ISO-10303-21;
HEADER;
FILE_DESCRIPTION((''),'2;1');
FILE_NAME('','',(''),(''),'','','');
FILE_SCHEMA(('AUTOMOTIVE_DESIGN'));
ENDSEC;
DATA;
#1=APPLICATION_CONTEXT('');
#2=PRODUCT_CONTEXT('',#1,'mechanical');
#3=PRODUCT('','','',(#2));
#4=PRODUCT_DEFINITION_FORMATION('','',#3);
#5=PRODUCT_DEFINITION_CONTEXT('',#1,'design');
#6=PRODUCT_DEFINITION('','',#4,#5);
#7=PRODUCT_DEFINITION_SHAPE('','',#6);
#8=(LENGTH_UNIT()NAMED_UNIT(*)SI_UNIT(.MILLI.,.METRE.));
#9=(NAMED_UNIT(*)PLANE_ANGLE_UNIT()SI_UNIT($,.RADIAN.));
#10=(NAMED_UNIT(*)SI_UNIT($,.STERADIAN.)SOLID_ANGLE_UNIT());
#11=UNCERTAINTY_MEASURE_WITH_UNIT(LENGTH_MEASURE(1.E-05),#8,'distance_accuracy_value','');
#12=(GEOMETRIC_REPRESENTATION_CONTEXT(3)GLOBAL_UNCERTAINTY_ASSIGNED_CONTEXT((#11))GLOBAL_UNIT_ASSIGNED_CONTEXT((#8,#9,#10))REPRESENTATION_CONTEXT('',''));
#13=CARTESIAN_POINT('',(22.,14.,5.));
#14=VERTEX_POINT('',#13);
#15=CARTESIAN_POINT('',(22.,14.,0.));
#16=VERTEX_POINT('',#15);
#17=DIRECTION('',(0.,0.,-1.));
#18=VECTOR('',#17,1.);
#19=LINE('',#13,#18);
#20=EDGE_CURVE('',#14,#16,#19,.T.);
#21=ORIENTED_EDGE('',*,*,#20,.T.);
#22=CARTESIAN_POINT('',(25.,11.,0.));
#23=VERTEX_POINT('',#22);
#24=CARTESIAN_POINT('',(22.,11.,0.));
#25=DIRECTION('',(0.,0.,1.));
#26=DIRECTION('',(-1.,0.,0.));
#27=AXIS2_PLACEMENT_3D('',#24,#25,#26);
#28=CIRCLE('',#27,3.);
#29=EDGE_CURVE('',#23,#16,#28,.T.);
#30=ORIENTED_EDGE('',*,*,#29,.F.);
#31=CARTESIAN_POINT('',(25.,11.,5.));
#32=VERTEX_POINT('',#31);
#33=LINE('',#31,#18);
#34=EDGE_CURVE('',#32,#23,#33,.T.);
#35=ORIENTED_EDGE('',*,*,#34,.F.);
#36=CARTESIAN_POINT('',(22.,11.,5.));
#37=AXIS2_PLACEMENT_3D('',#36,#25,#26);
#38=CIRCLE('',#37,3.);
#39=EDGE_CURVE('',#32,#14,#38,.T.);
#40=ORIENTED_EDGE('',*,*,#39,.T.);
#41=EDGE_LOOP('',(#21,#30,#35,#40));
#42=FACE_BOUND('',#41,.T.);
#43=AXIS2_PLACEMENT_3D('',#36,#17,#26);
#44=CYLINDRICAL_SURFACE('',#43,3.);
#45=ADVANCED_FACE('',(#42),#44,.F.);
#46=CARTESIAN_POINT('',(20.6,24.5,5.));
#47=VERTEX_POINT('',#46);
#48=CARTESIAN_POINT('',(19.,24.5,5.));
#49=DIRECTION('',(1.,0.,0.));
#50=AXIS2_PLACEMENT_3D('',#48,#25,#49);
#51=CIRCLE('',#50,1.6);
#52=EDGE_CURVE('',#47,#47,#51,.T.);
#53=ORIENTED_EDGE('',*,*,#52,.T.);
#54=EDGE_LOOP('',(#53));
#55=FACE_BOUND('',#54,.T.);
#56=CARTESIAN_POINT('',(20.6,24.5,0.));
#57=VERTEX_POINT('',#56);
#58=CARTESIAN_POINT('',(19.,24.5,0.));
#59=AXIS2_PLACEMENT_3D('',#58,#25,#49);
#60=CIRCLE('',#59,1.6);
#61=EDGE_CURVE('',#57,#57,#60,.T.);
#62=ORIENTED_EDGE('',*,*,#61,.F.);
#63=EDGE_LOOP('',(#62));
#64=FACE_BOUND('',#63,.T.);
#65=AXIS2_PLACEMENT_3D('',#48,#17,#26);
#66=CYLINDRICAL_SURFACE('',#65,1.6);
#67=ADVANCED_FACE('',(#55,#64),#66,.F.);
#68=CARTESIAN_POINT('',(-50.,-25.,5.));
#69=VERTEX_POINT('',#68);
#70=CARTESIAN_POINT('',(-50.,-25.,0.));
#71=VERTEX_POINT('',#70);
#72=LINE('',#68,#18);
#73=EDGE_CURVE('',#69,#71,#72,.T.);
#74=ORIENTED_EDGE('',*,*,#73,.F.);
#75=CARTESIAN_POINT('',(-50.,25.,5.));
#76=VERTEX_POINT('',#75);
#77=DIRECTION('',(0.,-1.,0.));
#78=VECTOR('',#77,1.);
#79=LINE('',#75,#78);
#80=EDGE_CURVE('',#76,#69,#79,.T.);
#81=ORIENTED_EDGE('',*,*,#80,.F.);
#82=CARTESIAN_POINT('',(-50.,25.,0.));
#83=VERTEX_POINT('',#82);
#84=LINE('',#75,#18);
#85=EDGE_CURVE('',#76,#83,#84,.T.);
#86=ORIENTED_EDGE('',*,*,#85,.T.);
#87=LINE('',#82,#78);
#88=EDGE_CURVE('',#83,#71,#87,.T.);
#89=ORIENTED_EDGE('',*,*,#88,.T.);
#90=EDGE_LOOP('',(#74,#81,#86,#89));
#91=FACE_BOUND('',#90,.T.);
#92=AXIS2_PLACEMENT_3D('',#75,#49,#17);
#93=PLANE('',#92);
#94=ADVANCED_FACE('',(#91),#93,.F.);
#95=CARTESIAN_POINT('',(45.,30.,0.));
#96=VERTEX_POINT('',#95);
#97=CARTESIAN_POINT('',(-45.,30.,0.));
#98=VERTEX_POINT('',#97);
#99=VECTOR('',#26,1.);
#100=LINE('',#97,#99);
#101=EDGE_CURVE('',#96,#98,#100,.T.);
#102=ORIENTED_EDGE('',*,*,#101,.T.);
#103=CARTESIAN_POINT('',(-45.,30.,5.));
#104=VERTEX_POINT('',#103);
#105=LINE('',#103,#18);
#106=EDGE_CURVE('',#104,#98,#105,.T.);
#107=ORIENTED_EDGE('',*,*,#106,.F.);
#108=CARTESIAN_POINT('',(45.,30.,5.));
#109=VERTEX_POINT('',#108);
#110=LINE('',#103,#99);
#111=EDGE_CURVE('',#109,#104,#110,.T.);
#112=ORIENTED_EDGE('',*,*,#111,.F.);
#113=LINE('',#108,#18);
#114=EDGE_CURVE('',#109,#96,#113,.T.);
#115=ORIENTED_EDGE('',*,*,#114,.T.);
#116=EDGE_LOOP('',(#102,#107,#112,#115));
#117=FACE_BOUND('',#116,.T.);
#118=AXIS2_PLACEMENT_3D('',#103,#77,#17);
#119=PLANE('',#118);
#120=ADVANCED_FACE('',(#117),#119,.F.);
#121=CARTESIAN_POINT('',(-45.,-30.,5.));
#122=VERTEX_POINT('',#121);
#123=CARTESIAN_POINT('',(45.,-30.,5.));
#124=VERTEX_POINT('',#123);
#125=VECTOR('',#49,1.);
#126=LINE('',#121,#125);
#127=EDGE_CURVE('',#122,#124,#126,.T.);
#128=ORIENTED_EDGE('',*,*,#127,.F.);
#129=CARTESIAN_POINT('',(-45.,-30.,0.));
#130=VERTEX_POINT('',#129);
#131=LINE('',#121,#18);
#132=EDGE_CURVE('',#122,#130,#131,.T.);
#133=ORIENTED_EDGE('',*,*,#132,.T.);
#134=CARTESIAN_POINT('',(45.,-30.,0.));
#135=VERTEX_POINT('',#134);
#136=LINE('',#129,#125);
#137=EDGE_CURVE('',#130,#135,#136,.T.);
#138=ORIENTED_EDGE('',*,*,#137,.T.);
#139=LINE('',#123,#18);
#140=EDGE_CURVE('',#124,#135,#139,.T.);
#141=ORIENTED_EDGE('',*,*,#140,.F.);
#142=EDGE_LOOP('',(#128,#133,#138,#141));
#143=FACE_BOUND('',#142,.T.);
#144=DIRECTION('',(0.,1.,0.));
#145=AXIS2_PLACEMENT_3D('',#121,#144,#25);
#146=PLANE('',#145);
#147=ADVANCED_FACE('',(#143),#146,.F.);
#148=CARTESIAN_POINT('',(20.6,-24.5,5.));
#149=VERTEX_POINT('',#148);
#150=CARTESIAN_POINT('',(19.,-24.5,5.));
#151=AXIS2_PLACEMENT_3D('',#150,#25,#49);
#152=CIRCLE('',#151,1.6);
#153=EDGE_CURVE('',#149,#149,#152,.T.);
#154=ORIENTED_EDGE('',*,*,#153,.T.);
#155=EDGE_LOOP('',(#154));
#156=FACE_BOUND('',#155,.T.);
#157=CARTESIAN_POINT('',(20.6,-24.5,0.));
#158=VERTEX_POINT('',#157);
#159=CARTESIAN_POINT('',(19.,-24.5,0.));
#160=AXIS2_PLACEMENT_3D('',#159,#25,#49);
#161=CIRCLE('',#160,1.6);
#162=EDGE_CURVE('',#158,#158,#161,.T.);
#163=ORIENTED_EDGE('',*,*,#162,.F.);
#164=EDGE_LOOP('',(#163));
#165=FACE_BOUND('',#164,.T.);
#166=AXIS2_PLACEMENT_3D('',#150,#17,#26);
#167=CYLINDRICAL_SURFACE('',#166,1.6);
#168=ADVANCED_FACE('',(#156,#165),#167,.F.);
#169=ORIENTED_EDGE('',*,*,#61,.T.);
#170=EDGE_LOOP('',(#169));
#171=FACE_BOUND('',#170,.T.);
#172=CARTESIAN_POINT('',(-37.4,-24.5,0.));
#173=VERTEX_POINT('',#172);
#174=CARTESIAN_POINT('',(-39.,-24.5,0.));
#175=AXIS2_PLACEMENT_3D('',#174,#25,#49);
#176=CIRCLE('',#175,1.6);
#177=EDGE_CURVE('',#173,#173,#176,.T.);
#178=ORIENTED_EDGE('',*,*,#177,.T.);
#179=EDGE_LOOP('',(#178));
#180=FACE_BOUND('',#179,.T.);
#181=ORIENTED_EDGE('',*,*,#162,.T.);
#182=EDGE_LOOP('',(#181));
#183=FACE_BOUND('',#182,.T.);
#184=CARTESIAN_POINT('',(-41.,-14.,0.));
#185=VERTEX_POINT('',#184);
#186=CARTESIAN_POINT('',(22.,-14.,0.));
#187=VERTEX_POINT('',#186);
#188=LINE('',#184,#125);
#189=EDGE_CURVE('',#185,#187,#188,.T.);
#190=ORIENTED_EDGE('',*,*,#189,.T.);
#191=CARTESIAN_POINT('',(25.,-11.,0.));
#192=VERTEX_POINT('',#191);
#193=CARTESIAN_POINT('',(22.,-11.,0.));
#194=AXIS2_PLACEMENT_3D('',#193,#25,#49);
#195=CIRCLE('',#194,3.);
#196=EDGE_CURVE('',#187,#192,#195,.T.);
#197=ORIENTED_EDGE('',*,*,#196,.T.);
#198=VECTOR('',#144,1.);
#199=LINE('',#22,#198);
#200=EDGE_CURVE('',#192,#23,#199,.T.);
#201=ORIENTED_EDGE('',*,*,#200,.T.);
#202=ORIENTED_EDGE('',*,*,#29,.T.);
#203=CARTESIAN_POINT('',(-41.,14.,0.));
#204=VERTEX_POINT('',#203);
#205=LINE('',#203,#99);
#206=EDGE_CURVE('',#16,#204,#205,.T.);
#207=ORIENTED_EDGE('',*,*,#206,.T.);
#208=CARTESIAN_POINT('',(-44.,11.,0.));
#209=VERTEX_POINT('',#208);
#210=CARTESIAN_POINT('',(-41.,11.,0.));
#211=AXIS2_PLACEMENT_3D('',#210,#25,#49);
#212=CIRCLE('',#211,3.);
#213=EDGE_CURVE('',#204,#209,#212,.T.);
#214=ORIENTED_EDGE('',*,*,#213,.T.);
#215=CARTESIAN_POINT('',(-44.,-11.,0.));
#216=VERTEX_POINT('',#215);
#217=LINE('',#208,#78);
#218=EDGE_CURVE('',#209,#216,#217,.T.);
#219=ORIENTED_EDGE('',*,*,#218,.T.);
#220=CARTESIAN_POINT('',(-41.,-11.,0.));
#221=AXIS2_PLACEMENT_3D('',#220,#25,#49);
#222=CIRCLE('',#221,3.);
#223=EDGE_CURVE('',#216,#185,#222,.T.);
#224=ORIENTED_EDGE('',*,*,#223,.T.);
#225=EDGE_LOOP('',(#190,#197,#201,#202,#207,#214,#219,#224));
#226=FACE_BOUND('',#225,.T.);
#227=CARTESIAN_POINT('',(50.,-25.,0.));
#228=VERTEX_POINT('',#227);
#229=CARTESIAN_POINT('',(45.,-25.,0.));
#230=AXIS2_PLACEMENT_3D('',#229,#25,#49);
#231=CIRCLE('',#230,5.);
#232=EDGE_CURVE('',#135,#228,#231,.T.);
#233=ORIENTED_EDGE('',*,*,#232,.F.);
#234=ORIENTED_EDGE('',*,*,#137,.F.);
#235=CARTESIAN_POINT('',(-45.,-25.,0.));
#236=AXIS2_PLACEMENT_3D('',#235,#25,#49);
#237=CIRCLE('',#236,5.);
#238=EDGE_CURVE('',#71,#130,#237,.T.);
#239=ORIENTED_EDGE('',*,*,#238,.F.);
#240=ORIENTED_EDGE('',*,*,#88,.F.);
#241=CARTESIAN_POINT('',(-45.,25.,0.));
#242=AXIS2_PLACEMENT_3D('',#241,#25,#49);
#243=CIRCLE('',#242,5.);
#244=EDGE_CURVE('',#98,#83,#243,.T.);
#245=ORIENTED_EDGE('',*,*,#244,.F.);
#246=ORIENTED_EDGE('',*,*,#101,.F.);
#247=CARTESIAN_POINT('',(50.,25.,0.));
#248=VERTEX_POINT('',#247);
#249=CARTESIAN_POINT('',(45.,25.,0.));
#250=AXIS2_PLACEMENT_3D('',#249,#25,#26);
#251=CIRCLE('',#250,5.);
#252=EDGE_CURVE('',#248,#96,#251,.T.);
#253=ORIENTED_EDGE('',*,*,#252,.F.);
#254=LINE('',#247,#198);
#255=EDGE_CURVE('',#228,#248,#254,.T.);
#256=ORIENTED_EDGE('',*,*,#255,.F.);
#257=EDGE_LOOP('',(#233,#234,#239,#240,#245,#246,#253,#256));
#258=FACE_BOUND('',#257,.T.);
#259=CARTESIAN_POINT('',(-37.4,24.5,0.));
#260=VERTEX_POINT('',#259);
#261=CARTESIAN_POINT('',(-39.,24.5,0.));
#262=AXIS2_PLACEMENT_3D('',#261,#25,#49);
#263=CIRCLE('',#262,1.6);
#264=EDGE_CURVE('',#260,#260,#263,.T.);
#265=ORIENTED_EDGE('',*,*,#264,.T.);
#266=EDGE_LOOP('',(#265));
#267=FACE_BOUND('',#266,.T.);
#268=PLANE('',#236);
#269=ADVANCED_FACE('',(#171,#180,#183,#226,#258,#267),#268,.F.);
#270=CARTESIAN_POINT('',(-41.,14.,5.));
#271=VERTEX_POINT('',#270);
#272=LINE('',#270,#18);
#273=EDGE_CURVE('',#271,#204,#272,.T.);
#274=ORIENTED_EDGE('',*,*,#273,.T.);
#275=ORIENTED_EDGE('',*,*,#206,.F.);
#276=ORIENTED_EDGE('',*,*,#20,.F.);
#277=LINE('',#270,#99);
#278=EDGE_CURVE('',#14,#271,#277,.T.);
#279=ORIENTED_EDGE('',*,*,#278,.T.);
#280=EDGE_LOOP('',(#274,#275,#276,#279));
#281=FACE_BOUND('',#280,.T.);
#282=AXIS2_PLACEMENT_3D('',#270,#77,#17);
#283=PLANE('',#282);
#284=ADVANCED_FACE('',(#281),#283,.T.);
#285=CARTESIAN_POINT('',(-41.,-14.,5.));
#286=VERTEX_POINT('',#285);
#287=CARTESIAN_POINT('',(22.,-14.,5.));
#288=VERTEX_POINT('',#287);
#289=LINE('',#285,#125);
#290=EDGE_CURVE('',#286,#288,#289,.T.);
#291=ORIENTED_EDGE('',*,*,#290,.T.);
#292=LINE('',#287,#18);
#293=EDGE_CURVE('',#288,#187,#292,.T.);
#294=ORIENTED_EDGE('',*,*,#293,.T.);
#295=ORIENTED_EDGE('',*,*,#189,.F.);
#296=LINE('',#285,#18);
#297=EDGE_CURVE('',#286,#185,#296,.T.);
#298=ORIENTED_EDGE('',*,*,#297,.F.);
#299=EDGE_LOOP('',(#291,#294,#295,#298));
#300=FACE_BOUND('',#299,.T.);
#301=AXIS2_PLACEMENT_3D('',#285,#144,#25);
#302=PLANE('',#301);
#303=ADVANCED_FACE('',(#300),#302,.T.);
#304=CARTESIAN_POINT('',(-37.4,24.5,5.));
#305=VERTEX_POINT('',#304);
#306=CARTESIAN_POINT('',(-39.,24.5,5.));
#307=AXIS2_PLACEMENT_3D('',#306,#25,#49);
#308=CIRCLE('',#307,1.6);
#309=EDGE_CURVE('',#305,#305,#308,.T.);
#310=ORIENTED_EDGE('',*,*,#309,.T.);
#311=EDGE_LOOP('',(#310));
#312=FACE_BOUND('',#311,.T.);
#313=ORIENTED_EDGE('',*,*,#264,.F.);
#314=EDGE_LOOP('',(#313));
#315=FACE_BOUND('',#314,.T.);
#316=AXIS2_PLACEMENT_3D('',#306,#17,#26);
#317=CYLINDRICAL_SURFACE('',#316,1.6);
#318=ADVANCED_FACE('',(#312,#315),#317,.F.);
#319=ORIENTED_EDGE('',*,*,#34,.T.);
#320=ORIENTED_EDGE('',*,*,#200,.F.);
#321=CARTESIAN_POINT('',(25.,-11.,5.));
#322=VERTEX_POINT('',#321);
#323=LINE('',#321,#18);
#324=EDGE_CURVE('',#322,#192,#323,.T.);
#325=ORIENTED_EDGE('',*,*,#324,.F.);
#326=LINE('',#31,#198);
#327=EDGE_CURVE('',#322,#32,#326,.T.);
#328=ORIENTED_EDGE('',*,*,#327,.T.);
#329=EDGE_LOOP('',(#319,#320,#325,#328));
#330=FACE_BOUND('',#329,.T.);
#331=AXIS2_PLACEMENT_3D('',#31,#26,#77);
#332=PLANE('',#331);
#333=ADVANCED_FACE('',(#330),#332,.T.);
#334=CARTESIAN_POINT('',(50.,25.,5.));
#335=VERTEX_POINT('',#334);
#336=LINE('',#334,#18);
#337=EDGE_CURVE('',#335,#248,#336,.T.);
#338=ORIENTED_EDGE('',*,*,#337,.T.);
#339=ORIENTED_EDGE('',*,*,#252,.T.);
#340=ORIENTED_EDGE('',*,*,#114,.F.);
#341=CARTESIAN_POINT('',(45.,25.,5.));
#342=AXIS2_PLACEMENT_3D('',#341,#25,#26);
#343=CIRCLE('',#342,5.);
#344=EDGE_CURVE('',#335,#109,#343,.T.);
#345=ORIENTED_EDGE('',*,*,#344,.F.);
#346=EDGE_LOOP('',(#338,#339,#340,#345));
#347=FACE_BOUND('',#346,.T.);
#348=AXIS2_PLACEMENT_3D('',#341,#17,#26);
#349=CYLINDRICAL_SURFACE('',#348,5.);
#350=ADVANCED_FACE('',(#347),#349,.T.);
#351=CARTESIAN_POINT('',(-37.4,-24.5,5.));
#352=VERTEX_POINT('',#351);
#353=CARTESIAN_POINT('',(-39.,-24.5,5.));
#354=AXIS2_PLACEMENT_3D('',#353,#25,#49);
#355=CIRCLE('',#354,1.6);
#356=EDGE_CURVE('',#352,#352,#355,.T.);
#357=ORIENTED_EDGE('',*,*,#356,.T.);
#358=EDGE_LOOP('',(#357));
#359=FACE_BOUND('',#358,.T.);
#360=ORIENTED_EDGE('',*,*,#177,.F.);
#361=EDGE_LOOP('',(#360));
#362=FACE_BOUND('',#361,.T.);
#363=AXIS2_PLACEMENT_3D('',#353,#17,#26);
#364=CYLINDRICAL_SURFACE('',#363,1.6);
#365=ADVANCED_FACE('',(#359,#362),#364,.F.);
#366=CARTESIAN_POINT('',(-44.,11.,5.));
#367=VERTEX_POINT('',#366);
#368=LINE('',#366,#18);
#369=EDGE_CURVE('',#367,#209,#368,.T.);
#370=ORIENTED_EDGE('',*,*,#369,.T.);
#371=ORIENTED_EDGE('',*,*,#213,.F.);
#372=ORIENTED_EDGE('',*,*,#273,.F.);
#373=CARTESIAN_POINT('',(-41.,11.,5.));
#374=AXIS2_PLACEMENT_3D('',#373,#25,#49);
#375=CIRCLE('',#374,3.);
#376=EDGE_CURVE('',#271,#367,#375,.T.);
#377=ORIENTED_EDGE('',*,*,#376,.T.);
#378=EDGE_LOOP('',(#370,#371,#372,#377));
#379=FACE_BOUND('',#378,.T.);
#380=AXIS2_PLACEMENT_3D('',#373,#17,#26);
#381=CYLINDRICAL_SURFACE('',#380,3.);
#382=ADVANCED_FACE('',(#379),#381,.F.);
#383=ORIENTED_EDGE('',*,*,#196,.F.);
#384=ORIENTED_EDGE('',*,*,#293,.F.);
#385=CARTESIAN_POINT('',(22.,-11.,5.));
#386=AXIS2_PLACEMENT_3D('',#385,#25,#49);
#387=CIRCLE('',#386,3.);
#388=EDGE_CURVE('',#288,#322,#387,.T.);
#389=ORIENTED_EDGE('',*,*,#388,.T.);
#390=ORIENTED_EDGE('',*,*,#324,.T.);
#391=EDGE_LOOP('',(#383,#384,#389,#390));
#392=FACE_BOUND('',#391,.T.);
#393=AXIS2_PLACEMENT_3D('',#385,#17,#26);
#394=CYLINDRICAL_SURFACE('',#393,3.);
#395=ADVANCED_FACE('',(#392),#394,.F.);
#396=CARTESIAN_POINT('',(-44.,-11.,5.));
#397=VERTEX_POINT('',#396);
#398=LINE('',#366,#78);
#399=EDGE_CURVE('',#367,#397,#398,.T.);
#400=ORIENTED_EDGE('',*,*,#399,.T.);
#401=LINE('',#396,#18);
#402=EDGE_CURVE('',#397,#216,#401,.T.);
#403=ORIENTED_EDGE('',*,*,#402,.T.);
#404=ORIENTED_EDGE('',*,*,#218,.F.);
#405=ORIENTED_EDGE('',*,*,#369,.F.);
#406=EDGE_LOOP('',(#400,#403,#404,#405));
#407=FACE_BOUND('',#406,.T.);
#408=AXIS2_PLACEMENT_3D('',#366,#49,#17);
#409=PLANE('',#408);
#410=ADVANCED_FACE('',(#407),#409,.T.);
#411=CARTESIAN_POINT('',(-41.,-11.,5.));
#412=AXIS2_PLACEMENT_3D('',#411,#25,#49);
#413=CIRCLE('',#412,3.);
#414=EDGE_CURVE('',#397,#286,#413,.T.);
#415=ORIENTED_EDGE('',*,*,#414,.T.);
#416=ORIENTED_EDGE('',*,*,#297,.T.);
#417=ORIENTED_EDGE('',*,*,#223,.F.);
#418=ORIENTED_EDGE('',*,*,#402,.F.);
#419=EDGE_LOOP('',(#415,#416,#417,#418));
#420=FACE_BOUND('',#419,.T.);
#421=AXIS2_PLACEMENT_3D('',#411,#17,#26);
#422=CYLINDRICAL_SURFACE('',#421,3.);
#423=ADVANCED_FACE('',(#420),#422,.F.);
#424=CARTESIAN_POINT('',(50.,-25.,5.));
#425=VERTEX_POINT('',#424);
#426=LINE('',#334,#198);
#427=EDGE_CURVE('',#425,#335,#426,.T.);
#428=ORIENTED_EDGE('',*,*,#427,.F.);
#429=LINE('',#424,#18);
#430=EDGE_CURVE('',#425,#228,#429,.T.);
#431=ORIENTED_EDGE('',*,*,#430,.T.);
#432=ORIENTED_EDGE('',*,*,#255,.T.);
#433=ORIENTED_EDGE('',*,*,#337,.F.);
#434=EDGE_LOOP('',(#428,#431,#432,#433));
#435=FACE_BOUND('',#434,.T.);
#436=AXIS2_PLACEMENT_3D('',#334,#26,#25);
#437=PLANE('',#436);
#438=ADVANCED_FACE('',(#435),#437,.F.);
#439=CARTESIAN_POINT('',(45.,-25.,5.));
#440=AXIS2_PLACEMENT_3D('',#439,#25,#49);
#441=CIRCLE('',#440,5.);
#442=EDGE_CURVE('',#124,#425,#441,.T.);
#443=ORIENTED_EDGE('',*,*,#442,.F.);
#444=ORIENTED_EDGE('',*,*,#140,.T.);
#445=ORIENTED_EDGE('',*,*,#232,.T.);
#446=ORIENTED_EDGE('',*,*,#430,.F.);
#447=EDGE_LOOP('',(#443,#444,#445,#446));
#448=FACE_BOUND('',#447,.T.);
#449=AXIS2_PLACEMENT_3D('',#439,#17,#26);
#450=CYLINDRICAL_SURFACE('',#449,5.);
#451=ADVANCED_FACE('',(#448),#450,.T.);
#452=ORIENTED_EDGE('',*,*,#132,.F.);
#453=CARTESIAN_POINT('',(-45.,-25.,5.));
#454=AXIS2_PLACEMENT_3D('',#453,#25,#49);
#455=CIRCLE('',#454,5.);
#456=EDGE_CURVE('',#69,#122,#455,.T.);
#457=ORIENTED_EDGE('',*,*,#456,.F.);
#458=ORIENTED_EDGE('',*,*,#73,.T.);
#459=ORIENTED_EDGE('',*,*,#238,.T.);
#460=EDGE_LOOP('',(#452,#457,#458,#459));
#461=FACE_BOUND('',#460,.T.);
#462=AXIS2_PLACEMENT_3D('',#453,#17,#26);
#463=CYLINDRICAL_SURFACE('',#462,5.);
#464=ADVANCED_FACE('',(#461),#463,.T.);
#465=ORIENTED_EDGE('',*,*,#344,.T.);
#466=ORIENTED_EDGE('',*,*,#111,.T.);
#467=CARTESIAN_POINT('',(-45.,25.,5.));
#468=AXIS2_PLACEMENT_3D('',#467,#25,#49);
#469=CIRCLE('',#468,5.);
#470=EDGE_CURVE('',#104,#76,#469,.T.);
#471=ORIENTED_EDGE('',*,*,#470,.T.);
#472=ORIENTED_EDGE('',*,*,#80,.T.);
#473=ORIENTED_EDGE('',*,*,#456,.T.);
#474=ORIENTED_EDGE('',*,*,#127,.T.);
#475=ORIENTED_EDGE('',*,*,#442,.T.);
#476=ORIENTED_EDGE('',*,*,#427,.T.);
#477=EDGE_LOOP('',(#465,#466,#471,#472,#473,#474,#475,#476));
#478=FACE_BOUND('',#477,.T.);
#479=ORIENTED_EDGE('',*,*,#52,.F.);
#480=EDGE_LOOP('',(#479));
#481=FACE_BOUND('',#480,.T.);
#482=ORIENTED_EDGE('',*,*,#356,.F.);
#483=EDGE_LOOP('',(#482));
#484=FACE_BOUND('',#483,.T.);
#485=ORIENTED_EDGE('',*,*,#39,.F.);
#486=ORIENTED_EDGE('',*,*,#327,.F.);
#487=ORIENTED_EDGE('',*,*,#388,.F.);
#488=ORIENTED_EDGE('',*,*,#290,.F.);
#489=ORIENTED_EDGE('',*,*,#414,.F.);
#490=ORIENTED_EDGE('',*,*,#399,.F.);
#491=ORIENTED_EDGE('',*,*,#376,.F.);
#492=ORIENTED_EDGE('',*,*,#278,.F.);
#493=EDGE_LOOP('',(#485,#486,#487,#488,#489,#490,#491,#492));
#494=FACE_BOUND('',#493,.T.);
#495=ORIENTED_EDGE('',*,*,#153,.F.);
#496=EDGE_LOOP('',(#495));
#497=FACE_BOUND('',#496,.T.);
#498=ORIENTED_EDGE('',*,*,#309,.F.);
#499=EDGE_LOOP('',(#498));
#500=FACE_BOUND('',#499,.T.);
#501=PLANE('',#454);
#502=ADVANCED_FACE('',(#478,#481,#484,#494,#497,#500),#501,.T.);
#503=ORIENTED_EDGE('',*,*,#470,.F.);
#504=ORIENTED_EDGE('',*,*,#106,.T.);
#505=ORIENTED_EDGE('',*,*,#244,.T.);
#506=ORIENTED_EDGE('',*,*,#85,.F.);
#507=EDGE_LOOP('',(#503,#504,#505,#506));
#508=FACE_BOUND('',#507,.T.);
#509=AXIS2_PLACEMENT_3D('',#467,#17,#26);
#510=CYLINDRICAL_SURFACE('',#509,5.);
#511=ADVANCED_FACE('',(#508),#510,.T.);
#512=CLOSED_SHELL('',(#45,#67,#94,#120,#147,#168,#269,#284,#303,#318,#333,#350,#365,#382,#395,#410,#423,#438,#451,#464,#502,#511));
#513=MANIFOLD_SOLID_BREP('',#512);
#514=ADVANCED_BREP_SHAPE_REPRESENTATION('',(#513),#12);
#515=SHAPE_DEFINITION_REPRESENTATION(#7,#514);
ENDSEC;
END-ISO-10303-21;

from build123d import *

# Parameters (mm, degrees)
SKETCH_1_R      = 1.6
EXTRUDE_1_DEPTH = 5


with BuildPart() as part:
    # 草图1 → 凸台-拉伸1 (new body)
    with BuildSketch(Plane.XY):
        with BuildLine():
            Line((-45, 30), (45, 30))
            ThreePointArc((45, 30), (48.535533906, 28.535533906), (50, 25))
            Line((50, 25), (50, -25))
            ThreePointArc((50, -25), (48.535533906, -28.535533906), (45, -30))
            Line((45, -30), (-45, -30))
            ThreePointArc((-45, -30), (-48.535533906, -28.535533906), (-50, -25))
            Line((-50, -25), (-50, 25))
            ThreePointArc((-50, 25), (-48.535533906, 28.535533906), (-45, 30))
        make_face()
        with Locations((-39, 24.5)):
            Circle(SKETCH_1_R, mode=Mode.SUBTRACT)
        with Locations((19, 24.5)):
            Circle(SKETCH_1_R, mode=Mode.SUBTRACT)
        with Locations((19, -24.5)):
            Circle(SKETCH_1_R, mode=Mode.SUBTRACT)
        with Locations((-39, -24.5)):
            Circle(SKETCH_1_R, mode=Mode.SUBTRACT)
        with BuildLine():
            Line((-41, 14), (22, 14))
            ThreePointArc((22, 14), (24.121320344, 13.121320344), (25, 11))
            Line((25, 11), (25, -11))
            ThreePointArc((25, -11), (24.121320344, -13.121320344), (22, -14))
            Line((22, -14), (-41, -14))
            ThreePointArc((-41, -14), (-43.121320344, -13.121320344), (-44, -11))
            Line((-44, -11), (-44, 11))
            ThreePointArc((-44, 11), (-43.121320344, 13.121320344), (-41, 14))
        make_face(mode=Mode.SUBTRACT)
    extrude(amount=EXTRUDE_1_DEPTH)


solid = part.part
